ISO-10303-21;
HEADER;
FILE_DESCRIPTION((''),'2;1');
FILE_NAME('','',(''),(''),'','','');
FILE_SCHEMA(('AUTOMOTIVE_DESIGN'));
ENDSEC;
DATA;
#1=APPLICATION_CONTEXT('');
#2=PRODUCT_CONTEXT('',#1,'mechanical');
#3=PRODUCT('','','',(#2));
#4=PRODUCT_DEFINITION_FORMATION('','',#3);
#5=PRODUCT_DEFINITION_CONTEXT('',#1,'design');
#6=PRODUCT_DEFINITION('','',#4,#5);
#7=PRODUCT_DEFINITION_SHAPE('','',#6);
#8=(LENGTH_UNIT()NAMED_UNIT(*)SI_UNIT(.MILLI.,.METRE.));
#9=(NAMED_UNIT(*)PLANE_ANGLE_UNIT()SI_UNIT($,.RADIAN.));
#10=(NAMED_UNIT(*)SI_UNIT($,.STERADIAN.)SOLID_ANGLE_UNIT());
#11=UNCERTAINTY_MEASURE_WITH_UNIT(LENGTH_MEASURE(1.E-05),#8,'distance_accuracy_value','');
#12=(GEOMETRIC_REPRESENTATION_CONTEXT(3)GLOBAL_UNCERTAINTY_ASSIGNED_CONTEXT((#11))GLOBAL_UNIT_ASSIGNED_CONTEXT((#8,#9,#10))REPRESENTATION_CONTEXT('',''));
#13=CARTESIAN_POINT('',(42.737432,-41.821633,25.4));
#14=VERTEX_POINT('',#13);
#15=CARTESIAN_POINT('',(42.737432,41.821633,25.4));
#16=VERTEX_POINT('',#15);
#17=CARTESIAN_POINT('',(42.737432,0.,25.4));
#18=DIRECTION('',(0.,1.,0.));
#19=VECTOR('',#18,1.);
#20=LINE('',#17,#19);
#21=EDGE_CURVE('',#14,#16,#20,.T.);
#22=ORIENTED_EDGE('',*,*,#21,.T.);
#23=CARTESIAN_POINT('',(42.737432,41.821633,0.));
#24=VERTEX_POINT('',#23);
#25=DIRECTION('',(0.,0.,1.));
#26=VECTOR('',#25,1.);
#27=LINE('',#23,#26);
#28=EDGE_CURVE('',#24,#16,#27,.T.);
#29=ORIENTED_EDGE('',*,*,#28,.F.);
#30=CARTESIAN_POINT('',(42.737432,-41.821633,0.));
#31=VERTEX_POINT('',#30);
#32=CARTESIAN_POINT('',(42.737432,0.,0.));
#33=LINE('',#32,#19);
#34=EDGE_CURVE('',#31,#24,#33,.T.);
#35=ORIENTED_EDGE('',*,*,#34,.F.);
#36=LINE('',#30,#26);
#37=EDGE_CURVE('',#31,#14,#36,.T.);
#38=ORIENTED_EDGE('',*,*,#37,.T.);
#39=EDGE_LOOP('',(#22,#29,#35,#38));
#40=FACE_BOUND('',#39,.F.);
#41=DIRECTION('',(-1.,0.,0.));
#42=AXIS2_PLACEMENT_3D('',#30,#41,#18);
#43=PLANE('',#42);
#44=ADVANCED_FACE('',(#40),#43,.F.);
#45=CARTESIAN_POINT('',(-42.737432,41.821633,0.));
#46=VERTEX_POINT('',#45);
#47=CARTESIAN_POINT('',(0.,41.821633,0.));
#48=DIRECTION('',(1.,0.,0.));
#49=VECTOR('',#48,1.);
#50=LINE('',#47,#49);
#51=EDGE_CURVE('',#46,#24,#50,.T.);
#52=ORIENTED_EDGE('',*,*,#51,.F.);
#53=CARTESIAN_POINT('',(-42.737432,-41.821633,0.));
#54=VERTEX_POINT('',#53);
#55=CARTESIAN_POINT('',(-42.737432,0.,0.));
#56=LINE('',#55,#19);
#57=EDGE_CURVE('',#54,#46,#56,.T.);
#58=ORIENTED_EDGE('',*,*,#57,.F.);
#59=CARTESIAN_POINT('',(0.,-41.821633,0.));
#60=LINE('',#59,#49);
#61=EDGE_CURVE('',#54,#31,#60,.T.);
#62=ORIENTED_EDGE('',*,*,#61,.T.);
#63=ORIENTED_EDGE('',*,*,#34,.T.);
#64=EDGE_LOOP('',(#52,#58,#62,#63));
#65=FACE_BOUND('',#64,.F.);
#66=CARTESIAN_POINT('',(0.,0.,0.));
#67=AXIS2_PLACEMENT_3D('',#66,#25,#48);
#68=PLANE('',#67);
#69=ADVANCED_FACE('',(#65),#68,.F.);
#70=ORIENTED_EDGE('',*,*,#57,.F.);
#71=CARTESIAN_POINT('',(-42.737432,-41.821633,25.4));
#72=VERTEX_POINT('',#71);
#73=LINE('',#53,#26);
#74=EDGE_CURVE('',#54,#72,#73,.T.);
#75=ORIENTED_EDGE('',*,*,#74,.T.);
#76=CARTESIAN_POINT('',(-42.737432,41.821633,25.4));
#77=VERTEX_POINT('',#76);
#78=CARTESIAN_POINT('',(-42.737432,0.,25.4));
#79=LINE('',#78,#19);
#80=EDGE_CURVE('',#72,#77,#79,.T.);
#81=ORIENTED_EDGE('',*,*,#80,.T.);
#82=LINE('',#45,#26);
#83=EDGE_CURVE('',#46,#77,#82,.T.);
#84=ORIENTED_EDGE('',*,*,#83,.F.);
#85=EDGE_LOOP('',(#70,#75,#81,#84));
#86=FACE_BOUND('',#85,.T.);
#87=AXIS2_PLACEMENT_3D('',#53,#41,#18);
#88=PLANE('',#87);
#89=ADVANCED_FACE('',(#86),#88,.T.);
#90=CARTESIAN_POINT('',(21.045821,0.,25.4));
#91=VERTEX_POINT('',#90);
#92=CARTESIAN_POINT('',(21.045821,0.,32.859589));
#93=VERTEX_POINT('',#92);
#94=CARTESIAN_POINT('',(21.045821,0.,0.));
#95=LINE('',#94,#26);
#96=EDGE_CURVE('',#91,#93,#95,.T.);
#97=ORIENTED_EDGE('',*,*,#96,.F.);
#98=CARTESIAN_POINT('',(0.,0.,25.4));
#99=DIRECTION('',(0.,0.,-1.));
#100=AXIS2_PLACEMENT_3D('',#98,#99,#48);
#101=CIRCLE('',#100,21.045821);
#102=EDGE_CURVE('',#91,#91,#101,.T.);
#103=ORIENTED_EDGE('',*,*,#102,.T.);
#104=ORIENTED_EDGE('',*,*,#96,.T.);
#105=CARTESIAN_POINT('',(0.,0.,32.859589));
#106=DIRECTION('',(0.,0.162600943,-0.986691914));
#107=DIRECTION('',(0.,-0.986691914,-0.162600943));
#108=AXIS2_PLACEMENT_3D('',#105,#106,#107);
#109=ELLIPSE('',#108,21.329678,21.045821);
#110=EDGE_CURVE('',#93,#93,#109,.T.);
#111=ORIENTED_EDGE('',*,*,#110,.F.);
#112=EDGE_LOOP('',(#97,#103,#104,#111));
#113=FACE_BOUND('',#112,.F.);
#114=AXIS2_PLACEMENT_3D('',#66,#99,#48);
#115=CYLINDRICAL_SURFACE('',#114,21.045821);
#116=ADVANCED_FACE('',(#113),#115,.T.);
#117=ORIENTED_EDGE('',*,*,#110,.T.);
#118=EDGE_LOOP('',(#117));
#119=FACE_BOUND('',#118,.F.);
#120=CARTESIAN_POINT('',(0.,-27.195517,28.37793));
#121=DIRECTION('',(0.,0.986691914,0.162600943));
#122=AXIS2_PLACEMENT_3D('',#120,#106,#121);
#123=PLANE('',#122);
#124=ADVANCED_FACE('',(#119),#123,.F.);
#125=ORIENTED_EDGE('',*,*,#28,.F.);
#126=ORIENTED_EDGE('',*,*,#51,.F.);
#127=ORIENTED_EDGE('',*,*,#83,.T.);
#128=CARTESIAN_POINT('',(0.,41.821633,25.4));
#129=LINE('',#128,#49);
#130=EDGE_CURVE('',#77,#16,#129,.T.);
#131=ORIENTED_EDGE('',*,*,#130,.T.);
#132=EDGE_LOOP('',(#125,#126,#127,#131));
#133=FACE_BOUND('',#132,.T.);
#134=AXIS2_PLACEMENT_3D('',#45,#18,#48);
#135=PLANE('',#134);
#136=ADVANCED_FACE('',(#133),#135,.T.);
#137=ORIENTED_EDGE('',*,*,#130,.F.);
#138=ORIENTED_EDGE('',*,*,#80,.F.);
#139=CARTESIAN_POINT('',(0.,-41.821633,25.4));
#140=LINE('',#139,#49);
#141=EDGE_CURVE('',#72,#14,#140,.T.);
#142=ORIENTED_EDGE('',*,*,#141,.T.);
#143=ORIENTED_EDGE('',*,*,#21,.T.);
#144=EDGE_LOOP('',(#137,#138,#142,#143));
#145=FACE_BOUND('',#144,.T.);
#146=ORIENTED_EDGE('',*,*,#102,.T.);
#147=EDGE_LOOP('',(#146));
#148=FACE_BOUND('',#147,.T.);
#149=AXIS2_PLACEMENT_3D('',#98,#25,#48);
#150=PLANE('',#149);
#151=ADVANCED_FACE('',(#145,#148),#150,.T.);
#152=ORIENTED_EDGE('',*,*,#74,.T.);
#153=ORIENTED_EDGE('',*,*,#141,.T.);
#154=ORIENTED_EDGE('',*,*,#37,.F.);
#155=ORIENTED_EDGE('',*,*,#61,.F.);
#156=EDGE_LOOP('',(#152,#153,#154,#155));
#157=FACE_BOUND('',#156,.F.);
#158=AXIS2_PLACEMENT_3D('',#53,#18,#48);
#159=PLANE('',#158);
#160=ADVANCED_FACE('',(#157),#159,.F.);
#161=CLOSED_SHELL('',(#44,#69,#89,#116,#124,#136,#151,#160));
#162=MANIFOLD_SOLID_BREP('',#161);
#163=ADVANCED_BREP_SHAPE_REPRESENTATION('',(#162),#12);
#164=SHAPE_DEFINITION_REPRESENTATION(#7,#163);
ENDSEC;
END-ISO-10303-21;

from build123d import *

# Parameters (mm, degrees)
F0_W     = 85.474864
F0_H     = 83.643266
F2_DEPTH = 25.4
F1_R     = 21.045821
F3_DEPTH = 44.958
F5_DEPTH = 32.766


with BuildPart() as f2:
    # F0 (on Top) → F2 (new body)
    with BuildSketch(Plane.XY):
        Rectangle(F0_W, F0_H)
    extrude(amount=F2_DEPTH)

    # F1 (on face) → F3 (join)
    with BuildSketch(Plane.XY):
        Circle(F1_R)
    extrude(amount=F3_DEPTH)

    # F4 (on Right) → F5 (cut, symmetric)
    with BuildSketch(Plane.YZ):
        Polygon((25.421897, 37.048966), (25.421897, 48.478965), (-27.195517, 49.070172), (-27.195517, 28.37793), align=None)
    extrude(amount=F5_DEPTH, both=True, mode=Mode.SUBTRACT)


solid = f2.part
